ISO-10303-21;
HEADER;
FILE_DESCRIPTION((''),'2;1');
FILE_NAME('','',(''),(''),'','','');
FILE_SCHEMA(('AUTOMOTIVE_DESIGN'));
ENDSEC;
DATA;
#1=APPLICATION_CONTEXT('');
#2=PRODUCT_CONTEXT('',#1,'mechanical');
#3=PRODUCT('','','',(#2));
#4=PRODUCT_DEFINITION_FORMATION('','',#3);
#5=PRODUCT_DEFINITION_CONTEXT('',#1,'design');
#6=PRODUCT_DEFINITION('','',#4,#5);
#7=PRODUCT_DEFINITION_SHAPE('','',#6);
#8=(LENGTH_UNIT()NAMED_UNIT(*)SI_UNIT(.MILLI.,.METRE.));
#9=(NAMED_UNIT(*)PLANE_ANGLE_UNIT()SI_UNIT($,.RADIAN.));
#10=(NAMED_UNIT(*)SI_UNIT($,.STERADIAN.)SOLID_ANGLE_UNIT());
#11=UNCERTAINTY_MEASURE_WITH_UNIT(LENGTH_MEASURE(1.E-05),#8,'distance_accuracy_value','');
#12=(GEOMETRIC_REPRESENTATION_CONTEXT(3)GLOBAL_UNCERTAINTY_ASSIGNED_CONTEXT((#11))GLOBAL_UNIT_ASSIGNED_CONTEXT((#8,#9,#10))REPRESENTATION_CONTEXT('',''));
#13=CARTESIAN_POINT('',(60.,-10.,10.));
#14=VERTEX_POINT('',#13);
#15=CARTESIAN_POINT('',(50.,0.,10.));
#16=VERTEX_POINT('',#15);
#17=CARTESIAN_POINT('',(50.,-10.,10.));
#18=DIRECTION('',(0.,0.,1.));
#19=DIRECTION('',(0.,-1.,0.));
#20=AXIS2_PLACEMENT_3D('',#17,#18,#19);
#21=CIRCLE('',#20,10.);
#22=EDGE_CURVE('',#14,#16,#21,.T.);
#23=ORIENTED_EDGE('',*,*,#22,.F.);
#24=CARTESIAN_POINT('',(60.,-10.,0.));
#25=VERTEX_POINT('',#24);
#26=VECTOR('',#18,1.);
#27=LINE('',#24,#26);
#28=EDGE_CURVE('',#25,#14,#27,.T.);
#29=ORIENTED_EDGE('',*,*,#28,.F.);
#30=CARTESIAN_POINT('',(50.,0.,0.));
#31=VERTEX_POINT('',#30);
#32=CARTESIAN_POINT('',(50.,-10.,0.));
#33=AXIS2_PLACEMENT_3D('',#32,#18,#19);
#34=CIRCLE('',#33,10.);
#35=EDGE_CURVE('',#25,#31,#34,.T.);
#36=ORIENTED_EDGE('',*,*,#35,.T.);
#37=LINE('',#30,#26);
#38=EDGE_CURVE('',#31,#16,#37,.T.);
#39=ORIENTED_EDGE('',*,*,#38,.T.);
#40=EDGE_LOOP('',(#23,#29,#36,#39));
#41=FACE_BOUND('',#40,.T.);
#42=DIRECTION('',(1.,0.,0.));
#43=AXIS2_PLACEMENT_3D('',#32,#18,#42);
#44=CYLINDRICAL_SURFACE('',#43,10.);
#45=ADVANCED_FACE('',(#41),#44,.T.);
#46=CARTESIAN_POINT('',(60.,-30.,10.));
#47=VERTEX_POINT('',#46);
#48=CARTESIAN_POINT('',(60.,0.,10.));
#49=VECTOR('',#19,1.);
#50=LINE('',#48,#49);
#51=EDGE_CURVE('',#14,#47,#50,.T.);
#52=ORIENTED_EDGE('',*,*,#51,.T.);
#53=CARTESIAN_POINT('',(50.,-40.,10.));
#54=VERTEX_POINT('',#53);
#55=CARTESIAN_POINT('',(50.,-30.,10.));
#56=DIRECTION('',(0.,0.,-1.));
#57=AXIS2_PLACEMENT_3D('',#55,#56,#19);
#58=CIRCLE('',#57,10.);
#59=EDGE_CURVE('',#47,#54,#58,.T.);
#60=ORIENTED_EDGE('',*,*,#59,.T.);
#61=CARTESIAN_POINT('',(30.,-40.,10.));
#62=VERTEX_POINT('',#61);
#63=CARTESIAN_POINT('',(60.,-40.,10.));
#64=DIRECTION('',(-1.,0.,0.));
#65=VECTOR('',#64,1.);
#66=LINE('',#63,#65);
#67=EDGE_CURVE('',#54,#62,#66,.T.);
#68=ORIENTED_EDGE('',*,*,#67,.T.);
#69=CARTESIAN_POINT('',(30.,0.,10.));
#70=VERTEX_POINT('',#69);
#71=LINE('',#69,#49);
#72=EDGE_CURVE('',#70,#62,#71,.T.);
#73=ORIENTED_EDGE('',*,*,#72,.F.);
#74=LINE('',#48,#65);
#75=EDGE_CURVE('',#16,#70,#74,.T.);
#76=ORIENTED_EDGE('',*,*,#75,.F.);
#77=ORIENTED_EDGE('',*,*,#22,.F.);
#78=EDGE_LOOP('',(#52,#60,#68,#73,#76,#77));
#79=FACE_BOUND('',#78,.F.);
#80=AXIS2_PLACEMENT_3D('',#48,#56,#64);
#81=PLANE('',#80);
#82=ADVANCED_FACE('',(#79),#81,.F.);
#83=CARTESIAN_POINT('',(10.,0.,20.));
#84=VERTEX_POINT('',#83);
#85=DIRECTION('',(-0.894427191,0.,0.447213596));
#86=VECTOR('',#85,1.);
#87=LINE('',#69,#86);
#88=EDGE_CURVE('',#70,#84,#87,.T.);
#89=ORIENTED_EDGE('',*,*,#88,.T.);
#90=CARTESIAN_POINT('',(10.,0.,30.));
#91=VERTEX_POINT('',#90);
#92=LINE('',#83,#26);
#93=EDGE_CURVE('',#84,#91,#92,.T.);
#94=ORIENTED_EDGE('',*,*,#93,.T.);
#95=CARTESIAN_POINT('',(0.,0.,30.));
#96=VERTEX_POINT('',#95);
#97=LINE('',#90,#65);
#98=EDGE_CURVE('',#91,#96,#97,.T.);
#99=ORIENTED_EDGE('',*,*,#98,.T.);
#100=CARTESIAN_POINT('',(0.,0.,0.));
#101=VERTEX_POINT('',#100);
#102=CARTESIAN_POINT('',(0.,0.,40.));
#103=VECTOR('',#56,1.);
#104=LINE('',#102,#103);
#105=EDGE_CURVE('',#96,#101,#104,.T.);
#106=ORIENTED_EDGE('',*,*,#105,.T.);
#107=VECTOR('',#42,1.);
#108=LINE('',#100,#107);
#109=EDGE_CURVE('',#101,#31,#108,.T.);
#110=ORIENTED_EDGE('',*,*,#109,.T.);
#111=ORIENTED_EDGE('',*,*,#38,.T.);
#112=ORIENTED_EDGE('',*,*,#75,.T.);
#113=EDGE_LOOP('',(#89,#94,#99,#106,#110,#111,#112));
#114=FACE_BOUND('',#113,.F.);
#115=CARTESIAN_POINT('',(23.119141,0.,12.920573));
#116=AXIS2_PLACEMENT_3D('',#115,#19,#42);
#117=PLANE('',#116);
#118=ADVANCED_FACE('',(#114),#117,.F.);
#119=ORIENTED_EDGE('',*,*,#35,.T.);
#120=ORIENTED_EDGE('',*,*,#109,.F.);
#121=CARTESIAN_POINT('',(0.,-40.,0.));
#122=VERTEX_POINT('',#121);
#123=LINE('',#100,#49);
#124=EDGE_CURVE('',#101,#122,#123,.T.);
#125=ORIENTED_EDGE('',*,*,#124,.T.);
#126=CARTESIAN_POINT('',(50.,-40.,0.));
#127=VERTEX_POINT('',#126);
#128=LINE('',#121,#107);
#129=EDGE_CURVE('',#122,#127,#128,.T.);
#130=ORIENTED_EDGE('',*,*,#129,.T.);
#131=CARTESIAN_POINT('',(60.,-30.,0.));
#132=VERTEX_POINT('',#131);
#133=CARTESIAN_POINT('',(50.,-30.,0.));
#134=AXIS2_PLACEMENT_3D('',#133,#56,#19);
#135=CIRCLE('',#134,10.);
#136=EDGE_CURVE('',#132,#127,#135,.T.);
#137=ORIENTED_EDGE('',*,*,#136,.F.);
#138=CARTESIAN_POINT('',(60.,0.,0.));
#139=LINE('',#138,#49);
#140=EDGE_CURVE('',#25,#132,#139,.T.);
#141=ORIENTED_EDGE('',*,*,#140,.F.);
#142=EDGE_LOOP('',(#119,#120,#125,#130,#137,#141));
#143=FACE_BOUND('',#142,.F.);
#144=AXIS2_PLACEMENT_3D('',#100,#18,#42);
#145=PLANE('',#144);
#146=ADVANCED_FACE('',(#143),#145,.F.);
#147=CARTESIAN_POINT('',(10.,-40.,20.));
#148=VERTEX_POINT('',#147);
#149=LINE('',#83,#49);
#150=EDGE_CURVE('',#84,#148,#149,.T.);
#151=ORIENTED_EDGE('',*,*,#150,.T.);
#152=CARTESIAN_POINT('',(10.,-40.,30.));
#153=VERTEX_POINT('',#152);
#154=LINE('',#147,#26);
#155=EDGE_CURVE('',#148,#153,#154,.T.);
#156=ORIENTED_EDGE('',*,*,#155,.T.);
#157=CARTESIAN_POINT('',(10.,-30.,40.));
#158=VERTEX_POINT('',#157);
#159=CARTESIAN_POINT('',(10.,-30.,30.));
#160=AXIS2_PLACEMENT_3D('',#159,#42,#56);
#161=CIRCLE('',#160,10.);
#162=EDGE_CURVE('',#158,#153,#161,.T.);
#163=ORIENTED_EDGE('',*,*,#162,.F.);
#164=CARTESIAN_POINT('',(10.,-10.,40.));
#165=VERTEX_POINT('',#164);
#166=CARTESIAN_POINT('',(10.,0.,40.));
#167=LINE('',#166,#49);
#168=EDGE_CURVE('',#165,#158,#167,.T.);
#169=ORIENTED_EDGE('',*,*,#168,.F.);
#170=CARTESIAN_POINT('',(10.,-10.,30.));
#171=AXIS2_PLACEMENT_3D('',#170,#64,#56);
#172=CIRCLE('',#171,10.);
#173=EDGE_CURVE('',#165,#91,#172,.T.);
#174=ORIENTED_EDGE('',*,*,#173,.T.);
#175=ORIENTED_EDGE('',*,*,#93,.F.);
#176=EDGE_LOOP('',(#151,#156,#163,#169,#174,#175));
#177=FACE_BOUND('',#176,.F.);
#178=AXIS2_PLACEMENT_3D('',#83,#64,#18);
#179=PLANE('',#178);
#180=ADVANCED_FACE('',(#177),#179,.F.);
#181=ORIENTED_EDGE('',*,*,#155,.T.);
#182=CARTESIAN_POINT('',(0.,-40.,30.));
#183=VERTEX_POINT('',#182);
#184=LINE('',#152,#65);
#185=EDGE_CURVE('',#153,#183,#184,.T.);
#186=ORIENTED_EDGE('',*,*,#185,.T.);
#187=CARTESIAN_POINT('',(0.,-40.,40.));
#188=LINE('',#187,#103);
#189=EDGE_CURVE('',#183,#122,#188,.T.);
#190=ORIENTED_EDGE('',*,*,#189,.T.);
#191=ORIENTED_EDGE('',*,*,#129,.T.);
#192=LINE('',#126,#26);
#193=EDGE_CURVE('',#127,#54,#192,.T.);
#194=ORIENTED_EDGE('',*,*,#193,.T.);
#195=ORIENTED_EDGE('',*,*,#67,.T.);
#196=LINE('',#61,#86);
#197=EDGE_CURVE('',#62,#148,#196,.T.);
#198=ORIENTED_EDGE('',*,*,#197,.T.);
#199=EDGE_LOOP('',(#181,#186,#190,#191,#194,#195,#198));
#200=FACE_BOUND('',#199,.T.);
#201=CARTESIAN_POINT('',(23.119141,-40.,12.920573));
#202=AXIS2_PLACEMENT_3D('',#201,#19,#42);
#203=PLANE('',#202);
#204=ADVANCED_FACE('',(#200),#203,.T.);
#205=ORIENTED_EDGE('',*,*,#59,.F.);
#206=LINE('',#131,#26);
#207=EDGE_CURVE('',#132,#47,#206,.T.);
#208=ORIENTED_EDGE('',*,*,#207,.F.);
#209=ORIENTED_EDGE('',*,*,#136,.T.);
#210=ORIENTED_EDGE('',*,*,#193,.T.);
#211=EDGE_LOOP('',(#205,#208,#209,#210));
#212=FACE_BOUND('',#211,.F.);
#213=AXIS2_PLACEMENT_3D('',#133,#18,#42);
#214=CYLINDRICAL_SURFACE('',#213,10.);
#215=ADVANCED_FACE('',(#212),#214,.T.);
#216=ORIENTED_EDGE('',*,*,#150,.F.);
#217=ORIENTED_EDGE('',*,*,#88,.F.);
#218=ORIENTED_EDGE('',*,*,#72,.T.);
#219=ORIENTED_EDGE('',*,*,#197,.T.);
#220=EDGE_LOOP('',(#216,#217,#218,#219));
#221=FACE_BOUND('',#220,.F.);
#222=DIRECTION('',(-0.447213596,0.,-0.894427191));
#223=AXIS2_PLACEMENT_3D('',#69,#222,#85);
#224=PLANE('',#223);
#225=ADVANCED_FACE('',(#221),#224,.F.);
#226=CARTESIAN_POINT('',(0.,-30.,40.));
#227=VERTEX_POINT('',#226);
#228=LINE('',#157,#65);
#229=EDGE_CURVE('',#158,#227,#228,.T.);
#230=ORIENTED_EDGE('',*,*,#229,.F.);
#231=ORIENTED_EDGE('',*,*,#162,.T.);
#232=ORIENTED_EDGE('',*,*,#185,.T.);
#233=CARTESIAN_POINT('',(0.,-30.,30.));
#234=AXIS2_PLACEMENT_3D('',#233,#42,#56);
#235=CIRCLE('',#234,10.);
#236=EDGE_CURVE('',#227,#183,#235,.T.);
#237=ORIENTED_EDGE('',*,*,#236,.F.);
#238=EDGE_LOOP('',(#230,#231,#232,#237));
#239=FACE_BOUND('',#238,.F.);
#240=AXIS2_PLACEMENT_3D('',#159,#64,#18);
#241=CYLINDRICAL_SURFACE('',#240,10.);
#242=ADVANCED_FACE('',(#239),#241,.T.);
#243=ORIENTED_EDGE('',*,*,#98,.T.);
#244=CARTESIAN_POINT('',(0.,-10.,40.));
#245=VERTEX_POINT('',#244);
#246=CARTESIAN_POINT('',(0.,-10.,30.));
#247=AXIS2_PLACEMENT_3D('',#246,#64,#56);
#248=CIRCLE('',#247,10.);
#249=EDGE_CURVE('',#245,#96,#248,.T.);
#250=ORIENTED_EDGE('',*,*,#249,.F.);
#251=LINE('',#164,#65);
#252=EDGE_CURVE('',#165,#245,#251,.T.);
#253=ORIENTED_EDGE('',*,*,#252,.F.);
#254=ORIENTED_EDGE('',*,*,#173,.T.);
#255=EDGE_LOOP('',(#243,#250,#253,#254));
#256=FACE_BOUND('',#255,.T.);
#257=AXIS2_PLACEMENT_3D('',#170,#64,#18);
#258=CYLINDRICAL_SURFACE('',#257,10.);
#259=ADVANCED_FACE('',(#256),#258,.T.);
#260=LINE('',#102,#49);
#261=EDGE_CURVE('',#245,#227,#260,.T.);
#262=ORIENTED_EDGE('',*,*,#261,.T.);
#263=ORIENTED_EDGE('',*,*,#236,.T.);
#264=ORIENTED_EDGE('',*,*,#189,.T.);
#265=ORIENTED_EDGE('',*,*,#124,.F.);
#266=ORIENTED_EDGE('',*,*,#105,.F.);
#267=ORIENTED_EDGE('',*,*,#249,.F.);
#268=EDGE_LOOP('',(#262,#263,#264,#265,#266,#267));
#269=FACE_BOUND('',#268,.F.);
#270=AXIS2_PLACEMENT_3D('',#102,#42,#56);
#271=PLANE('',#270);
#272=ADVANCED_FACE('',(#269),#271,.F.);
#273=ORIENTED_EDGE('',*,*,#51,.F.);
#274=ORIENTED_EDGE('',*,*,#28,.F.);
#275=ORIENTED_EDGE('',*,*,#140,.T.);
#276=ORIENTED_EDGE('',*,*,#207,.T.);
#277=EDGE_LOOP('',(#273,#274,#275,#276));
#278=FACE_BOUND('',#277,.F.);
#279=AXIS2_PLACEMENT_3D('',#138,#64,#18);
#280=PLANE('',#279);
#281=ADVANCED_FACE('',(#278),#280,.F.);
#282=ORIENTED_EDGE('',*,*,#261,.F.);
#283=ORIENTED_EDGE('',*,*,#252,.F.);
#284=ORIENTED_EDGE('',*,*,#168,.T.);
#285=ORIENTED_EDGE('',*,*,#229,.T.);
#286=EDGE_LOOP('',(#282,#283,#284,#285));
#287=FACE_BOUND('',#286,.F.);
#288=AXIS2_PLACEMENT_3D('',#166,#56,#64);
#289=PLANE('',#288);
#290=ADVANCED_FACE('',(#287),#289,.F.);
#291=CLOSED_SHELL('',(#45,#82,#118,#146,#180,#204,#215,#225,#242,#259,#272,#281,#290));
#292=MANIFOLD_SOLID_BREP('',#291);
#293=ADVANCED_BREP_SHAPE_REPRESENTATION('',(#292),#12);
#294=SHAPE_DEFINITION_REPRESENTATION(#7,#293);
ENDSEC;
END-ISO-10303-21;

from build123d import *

# Parameters (mm, degrees)
F1_DEPTH = 40
F2_R     = 10


with BuildPart() as f1:
    # F0 (on Front) → F1 (new body)
    with BuildSketch(Plane.XZ):
        Polygon((0, 40), (0, 0), (60, 0), (60, 10), (30, 10), (10, 20), (10, 40), align=None)
    extrude(amount=F1_DEPTH)

    # F2
    f2_edges = [f1.edges().sort_by_distance(p)[0] for p in [
        (60, -40, 5),
        (60, 0, 5),
        (5, -40, 40),
        (5, 0, 40),
    ]]
    fillet(f2_edges, radius=F2_R)


solid = f1.part
